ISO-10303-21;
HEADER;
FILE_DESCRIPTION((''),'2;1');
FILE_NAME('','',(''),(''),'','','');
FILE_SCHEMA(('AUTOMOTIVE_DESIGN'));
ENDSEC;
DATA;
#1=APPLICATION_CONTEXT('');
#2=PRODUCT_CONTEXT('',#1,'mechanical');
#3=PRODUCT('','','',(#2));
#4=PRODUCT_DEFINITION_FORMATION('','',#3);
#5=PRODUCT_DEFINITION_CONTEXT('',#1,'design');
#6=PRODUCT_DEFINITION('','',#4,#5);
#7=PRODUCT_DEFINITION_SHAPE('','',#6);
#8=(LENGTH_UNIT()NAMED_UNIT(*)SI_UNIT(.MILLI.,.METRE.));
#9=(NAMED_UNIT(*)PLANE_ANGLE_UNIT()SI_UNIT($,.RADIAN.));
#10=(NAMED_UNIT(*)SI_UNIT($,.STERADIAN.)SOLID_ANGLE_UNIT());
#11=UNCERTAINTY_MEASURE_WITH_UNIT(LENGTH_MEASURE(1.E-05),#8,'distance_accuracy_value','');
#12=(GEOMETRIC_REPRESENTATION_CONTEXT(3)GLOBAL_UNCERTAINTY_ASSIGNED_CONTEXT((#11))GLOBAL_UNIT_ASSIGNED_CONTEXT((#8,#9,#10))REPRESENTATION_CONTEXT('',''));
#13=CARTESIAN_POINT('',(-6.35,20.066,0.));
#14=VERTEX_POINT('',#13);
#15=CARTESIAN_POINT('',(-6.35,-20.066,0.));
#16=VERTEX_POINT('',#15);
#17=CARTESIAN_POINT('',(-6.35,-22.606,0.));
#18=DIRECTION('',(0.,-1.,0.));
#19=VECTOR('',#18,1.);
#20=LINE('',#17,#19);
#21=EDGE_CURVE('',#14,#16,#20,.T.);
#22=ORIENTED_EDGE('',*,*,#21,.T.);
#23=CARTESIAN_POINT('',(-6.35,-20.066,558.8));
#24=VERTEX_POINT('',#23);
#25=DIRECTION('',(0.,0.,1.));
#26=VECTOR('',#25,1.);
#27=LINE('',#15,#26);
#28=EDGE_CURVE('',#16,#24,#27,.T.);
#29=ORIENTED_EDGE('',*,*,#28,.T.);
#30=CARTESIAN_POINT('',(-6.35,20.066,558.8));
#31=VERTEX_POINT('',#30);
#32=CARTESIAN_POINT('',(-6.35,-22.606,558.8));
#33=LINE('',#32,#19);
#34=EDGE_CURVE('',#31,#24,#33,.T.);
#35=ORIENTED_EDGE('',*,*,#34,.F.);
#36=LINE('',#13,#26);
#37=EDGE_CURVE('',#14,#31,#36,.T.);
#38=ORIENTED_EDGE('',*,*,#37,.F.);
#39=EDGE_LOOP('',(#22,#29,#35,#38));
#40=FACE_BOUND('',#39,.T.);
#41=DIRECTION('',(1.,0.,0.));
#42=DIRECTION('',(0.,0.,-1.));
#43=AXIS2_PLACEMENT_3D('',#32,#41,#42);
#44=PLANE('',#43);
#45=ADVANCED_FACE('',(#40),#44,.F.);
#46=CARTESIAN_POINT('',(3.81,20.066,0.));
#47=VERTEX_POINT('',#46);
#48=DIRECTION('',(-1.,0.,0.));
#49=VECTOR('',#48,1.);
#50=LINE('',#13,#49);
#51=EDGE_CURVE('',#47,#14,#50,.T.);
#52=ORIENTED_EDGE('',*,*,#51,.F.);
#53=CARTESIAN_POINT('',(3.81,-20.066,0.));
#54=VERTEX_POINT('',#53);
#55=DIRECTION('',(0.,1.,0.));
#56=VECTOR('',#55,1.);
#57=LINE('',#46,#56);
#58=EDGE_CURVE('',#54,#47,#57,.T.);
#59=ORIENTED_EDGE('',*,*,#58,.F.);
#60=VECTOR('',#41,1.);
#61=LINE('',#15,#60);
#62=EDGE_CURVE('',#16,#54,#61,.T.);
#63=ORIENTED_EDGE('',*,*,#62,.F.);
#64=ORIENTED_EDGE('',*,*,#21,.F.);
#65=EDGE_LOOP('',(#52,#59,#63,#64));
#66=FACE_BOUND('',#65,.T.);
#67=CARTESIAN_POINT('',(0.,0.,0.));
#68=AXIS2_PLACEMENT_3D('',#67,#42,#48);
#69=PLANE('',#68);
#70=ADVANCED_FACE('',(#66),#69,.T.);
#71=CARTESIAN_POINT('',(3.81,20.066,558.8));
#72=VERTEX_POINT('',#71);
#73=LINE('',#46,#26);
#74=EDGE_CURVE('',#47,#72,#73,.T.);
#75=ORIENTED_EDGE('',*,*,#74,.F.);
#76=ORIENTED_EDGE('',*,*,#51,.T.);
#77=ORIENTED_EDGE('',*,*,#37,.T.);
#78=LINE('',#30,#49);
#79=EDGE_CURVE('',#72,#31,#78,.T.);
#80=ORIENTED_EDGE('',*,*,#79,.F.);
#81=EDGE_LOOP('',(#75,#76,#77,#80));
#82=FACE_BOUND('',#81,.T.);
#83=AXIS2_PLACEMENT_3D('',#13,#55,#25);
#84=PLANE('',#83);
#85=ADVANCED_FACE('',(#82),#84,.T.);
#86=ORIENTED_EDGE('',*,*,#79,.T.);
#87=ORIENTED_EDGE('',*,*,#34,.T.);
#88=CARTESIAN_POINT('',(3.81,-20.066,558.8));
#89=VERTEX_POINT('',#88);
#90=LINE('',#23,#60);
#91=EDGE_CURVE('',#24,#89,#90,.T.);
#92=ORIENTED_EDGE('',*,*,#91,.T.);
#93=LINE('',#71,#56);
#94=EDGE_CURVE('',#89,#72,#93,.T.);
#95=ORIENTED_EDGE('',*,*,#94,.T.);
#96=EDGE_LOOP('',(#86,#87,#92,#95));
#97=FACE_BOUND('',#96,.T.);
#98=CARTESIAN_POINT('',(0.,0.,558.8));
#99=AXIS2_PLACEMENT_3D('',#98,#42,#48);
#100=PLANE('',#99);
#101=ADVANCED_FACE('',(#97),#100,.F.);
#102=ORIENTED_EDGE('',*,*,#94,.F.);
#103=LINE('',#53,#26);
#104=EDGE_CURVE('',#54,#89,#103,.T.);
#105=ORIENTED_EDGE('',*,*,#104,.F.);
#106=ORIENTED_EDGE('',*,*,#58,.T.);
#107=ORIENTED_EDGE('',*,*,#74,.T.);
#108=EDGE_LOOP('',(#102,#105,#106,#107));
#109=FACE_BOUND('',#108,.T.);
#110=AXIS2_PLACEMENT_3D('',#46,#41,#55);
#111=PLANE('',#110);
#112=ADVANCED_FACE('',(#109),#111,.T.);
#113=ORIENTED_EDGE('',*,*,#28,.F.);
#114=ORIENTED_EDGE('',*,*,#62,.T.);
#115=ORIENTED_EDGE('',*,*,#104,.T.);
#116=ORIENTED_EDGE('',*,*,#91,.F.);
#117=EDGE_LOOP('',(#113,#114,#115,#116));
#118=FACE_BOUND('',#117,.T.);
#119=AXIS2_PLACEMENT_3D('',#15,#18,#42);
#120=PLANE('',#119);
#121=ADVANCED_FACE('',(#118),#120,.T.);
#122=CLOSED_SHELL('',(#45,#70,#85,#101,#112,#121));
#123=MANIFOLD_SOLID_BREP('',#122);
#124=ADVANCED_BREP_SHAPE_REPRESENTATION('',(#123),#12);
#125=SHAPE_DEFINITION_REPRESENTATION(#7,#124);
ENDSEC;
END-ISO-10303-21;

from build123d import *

# Parameters (mm, degrees)
SKETCH1_W           = 12.7
SKETCH1_H           = 45.212
BOSS_EXTRUDE1_DEPTH = 558.8
SKETCH2_OUTSIDE_W   = 126.854
SKETCH2_OUTSIDE_H   = 159.366
SKETCH2_OUTSIDE_W_2 = 10.16
SKETCH2_OUTSIDE_H_2 = 40.132
CUT_EXTRUDE1_DEPTH  = 560.293119693


with BuildPart() as part:
    # Sketch1 → Boss-Extrude1 (new body)
    with BuildSketch(Plane.XY):
        Rectangle(SKETCH1_W, SKETCH1_H)
    extrude(amount=BOSS_EXTRUDE1_DEPTH)

    # Sketch2 outside → Cut-Extrude1 (cut, through all)
    with BuildSketch(Plane.XY.offset(558.8)):
        Rectangle(SKETCH2_OUTSIDE_W, SKETCH2_OUTSIDE_H)
        with Locations((-1.27, 0)):
            Rectangle(SKETCH2_OUTSIDE_W_2, SKETCH2_OUTSIDE_H_2, mode=Mode.SUBTRACT)
    extrude(amount=-CUT_EXTRUDE1_DEPTH, mode=Mode.SUBTRACT)


solid = part.part
